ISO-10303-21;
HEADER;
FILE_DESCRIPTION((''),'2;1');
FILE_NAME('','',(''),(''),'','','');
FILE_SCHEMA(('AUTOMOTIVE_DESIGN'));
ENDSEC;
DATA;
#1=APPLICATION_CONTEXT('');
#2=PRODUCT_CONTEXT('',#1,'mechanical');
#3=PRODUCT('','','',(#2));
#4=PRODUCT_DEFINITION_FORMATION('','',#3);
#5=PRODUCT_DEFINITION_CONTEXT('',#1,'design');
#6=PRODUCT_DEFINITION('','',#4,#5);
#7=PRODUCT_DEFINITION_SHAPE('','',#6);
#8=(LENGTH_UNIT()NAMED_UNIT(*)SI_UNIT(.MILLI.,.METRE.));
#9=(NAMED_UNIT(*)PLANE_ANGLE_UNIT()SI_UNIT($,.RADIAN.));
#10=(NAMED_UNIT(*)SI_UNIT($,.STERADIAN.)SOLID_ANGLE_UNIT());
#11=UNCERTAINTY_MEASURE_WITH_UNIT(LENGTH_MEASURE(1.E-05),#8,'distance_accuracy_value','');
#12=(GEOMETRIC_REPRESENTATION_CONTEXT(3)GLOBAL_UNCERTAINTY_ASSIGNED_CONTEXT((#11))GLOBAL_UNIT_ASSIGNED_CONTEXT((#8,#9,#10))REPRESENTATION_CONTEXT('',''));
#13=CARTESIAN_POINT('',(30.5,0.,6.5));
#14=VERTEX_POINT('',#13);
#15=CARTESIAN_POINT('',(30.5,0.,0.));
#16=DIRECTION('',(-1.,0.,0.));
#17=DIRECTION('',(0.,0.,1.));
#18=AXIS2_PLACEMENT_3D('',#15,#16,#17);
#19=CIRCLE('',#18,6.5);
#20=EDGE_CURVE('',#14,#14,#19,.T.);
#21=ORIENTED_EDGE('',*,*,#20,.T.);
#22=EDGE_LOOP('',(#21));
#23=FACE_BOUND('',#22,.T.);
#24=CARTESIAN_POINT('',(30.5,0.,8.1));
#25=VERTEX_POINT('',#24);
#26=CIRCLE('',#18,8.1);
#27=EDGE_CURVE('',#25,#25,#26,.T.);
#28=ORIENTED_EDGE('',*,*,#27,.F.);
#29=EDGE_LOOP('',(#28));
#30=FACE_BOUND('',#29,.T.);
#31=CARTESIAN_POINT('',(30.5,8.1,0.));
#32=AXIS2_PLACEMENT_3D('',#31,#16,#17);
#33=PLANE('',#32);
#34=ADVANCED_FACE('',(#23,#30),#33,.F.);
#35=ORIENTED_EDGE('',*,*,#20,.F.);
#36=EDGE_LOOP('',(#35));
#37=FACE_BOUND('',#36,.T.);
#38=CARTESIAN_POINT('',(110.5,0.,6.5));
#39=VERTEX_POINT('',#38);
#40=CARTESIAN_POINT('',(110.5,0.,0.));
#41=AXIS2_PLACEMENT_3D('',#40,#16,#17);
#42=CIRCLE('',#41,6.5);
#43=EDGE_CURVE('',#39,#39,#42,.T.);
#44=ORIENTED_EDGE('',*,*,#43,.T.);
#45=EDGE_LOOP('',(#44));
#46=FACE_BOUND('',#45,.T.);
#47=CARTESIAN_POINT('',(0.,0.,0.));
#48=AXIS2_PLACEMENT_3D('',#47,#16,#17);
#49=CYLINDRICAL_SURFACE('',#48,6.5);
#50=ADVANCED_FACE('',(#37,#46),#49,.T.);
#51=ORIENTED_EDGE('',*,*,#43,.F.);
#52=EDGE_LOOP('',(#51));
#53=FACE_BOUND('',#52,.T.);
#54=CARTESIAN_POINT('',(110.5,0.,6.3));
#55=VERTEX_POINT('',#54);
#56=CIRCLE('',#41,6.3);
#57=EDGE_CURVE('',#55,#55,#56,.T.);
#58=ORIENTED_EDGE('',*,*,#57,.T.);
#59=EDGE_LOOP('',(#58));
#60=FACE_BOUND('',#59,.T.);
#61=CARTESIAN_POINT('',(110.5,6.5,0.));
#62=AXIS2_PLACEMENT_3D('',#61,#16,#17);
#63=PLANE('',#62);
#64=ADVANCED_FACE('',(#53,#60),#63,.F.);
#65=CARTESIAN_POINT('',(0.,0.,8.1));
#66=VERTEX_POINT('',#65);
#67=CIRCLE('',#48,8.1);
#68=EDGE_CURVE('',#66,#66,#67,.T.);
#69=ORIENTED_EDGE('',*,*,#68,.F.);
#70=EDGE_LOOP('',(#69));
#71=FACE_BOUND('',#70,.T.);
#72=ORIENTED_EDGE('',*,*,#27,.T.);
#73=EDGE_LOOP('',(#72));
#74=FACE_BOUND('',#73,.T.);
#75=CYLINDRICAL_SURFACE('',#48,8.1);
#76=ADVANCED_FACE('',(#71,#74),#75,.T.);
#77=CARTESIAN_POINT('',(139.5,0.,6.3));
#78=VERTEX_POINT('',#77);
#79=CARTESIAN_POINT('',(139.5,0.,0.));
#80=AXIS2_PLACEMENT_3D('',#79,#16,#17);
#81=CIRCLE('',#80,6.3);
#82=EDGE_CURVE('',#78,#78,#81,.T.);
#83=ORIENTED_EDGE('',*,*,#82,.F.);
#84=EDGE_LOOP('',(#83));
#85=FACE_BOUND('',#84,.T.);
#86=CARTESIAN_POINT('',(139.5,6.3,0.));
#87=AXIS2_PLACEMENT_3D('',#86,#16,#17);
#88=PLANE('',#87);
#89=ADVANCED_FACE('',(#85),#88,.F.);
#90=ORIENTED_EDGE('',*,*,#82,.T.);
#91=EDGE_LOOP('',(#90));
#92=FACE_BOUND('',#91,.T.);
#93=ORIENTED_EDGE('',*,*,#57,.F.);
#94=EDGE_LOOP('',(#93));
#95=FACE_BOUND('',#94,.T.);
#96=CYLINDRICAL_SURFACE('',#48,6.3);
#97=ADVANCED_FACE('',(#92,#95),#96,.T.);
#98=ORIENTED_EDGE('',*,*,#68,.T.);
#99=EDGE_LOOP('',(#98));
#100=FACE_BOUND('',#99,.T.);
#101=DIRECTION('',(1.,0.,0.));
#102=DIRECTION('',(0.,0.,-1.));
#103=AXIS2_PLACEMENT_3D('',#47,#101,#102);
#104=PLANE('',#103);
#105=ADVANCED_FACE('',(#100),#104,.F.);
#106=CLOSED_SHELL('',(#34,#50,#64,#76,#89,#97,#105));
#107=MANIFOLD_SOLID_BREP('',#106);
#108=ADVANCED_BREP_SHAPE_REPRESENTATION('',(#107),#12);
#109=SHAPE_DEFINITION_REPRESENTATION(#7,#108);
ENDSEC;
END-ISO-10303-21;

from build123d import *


with BuildPart() as part:
    # Esquisse1 → Révolution1 (revolve)
    with BuildSketch(Plane.XY, mode=Mode.PRIVATE) as r_volution1_sk:
        Polygon((0, 0), (0, 8.1), (30.5, 8.1), (30.5, 6.5), (110.5, 6.5), (110.5, 6.3), (139.5, 6.3), (139.5, 0), align=None)
    revolve(r_volution1_sk.sketch.rotate(Axis((0, 0, 0), (1, 0, 0)), 90), axis=Axis((0, 0, 0), (1, 0, 0)))


solid = part.part
